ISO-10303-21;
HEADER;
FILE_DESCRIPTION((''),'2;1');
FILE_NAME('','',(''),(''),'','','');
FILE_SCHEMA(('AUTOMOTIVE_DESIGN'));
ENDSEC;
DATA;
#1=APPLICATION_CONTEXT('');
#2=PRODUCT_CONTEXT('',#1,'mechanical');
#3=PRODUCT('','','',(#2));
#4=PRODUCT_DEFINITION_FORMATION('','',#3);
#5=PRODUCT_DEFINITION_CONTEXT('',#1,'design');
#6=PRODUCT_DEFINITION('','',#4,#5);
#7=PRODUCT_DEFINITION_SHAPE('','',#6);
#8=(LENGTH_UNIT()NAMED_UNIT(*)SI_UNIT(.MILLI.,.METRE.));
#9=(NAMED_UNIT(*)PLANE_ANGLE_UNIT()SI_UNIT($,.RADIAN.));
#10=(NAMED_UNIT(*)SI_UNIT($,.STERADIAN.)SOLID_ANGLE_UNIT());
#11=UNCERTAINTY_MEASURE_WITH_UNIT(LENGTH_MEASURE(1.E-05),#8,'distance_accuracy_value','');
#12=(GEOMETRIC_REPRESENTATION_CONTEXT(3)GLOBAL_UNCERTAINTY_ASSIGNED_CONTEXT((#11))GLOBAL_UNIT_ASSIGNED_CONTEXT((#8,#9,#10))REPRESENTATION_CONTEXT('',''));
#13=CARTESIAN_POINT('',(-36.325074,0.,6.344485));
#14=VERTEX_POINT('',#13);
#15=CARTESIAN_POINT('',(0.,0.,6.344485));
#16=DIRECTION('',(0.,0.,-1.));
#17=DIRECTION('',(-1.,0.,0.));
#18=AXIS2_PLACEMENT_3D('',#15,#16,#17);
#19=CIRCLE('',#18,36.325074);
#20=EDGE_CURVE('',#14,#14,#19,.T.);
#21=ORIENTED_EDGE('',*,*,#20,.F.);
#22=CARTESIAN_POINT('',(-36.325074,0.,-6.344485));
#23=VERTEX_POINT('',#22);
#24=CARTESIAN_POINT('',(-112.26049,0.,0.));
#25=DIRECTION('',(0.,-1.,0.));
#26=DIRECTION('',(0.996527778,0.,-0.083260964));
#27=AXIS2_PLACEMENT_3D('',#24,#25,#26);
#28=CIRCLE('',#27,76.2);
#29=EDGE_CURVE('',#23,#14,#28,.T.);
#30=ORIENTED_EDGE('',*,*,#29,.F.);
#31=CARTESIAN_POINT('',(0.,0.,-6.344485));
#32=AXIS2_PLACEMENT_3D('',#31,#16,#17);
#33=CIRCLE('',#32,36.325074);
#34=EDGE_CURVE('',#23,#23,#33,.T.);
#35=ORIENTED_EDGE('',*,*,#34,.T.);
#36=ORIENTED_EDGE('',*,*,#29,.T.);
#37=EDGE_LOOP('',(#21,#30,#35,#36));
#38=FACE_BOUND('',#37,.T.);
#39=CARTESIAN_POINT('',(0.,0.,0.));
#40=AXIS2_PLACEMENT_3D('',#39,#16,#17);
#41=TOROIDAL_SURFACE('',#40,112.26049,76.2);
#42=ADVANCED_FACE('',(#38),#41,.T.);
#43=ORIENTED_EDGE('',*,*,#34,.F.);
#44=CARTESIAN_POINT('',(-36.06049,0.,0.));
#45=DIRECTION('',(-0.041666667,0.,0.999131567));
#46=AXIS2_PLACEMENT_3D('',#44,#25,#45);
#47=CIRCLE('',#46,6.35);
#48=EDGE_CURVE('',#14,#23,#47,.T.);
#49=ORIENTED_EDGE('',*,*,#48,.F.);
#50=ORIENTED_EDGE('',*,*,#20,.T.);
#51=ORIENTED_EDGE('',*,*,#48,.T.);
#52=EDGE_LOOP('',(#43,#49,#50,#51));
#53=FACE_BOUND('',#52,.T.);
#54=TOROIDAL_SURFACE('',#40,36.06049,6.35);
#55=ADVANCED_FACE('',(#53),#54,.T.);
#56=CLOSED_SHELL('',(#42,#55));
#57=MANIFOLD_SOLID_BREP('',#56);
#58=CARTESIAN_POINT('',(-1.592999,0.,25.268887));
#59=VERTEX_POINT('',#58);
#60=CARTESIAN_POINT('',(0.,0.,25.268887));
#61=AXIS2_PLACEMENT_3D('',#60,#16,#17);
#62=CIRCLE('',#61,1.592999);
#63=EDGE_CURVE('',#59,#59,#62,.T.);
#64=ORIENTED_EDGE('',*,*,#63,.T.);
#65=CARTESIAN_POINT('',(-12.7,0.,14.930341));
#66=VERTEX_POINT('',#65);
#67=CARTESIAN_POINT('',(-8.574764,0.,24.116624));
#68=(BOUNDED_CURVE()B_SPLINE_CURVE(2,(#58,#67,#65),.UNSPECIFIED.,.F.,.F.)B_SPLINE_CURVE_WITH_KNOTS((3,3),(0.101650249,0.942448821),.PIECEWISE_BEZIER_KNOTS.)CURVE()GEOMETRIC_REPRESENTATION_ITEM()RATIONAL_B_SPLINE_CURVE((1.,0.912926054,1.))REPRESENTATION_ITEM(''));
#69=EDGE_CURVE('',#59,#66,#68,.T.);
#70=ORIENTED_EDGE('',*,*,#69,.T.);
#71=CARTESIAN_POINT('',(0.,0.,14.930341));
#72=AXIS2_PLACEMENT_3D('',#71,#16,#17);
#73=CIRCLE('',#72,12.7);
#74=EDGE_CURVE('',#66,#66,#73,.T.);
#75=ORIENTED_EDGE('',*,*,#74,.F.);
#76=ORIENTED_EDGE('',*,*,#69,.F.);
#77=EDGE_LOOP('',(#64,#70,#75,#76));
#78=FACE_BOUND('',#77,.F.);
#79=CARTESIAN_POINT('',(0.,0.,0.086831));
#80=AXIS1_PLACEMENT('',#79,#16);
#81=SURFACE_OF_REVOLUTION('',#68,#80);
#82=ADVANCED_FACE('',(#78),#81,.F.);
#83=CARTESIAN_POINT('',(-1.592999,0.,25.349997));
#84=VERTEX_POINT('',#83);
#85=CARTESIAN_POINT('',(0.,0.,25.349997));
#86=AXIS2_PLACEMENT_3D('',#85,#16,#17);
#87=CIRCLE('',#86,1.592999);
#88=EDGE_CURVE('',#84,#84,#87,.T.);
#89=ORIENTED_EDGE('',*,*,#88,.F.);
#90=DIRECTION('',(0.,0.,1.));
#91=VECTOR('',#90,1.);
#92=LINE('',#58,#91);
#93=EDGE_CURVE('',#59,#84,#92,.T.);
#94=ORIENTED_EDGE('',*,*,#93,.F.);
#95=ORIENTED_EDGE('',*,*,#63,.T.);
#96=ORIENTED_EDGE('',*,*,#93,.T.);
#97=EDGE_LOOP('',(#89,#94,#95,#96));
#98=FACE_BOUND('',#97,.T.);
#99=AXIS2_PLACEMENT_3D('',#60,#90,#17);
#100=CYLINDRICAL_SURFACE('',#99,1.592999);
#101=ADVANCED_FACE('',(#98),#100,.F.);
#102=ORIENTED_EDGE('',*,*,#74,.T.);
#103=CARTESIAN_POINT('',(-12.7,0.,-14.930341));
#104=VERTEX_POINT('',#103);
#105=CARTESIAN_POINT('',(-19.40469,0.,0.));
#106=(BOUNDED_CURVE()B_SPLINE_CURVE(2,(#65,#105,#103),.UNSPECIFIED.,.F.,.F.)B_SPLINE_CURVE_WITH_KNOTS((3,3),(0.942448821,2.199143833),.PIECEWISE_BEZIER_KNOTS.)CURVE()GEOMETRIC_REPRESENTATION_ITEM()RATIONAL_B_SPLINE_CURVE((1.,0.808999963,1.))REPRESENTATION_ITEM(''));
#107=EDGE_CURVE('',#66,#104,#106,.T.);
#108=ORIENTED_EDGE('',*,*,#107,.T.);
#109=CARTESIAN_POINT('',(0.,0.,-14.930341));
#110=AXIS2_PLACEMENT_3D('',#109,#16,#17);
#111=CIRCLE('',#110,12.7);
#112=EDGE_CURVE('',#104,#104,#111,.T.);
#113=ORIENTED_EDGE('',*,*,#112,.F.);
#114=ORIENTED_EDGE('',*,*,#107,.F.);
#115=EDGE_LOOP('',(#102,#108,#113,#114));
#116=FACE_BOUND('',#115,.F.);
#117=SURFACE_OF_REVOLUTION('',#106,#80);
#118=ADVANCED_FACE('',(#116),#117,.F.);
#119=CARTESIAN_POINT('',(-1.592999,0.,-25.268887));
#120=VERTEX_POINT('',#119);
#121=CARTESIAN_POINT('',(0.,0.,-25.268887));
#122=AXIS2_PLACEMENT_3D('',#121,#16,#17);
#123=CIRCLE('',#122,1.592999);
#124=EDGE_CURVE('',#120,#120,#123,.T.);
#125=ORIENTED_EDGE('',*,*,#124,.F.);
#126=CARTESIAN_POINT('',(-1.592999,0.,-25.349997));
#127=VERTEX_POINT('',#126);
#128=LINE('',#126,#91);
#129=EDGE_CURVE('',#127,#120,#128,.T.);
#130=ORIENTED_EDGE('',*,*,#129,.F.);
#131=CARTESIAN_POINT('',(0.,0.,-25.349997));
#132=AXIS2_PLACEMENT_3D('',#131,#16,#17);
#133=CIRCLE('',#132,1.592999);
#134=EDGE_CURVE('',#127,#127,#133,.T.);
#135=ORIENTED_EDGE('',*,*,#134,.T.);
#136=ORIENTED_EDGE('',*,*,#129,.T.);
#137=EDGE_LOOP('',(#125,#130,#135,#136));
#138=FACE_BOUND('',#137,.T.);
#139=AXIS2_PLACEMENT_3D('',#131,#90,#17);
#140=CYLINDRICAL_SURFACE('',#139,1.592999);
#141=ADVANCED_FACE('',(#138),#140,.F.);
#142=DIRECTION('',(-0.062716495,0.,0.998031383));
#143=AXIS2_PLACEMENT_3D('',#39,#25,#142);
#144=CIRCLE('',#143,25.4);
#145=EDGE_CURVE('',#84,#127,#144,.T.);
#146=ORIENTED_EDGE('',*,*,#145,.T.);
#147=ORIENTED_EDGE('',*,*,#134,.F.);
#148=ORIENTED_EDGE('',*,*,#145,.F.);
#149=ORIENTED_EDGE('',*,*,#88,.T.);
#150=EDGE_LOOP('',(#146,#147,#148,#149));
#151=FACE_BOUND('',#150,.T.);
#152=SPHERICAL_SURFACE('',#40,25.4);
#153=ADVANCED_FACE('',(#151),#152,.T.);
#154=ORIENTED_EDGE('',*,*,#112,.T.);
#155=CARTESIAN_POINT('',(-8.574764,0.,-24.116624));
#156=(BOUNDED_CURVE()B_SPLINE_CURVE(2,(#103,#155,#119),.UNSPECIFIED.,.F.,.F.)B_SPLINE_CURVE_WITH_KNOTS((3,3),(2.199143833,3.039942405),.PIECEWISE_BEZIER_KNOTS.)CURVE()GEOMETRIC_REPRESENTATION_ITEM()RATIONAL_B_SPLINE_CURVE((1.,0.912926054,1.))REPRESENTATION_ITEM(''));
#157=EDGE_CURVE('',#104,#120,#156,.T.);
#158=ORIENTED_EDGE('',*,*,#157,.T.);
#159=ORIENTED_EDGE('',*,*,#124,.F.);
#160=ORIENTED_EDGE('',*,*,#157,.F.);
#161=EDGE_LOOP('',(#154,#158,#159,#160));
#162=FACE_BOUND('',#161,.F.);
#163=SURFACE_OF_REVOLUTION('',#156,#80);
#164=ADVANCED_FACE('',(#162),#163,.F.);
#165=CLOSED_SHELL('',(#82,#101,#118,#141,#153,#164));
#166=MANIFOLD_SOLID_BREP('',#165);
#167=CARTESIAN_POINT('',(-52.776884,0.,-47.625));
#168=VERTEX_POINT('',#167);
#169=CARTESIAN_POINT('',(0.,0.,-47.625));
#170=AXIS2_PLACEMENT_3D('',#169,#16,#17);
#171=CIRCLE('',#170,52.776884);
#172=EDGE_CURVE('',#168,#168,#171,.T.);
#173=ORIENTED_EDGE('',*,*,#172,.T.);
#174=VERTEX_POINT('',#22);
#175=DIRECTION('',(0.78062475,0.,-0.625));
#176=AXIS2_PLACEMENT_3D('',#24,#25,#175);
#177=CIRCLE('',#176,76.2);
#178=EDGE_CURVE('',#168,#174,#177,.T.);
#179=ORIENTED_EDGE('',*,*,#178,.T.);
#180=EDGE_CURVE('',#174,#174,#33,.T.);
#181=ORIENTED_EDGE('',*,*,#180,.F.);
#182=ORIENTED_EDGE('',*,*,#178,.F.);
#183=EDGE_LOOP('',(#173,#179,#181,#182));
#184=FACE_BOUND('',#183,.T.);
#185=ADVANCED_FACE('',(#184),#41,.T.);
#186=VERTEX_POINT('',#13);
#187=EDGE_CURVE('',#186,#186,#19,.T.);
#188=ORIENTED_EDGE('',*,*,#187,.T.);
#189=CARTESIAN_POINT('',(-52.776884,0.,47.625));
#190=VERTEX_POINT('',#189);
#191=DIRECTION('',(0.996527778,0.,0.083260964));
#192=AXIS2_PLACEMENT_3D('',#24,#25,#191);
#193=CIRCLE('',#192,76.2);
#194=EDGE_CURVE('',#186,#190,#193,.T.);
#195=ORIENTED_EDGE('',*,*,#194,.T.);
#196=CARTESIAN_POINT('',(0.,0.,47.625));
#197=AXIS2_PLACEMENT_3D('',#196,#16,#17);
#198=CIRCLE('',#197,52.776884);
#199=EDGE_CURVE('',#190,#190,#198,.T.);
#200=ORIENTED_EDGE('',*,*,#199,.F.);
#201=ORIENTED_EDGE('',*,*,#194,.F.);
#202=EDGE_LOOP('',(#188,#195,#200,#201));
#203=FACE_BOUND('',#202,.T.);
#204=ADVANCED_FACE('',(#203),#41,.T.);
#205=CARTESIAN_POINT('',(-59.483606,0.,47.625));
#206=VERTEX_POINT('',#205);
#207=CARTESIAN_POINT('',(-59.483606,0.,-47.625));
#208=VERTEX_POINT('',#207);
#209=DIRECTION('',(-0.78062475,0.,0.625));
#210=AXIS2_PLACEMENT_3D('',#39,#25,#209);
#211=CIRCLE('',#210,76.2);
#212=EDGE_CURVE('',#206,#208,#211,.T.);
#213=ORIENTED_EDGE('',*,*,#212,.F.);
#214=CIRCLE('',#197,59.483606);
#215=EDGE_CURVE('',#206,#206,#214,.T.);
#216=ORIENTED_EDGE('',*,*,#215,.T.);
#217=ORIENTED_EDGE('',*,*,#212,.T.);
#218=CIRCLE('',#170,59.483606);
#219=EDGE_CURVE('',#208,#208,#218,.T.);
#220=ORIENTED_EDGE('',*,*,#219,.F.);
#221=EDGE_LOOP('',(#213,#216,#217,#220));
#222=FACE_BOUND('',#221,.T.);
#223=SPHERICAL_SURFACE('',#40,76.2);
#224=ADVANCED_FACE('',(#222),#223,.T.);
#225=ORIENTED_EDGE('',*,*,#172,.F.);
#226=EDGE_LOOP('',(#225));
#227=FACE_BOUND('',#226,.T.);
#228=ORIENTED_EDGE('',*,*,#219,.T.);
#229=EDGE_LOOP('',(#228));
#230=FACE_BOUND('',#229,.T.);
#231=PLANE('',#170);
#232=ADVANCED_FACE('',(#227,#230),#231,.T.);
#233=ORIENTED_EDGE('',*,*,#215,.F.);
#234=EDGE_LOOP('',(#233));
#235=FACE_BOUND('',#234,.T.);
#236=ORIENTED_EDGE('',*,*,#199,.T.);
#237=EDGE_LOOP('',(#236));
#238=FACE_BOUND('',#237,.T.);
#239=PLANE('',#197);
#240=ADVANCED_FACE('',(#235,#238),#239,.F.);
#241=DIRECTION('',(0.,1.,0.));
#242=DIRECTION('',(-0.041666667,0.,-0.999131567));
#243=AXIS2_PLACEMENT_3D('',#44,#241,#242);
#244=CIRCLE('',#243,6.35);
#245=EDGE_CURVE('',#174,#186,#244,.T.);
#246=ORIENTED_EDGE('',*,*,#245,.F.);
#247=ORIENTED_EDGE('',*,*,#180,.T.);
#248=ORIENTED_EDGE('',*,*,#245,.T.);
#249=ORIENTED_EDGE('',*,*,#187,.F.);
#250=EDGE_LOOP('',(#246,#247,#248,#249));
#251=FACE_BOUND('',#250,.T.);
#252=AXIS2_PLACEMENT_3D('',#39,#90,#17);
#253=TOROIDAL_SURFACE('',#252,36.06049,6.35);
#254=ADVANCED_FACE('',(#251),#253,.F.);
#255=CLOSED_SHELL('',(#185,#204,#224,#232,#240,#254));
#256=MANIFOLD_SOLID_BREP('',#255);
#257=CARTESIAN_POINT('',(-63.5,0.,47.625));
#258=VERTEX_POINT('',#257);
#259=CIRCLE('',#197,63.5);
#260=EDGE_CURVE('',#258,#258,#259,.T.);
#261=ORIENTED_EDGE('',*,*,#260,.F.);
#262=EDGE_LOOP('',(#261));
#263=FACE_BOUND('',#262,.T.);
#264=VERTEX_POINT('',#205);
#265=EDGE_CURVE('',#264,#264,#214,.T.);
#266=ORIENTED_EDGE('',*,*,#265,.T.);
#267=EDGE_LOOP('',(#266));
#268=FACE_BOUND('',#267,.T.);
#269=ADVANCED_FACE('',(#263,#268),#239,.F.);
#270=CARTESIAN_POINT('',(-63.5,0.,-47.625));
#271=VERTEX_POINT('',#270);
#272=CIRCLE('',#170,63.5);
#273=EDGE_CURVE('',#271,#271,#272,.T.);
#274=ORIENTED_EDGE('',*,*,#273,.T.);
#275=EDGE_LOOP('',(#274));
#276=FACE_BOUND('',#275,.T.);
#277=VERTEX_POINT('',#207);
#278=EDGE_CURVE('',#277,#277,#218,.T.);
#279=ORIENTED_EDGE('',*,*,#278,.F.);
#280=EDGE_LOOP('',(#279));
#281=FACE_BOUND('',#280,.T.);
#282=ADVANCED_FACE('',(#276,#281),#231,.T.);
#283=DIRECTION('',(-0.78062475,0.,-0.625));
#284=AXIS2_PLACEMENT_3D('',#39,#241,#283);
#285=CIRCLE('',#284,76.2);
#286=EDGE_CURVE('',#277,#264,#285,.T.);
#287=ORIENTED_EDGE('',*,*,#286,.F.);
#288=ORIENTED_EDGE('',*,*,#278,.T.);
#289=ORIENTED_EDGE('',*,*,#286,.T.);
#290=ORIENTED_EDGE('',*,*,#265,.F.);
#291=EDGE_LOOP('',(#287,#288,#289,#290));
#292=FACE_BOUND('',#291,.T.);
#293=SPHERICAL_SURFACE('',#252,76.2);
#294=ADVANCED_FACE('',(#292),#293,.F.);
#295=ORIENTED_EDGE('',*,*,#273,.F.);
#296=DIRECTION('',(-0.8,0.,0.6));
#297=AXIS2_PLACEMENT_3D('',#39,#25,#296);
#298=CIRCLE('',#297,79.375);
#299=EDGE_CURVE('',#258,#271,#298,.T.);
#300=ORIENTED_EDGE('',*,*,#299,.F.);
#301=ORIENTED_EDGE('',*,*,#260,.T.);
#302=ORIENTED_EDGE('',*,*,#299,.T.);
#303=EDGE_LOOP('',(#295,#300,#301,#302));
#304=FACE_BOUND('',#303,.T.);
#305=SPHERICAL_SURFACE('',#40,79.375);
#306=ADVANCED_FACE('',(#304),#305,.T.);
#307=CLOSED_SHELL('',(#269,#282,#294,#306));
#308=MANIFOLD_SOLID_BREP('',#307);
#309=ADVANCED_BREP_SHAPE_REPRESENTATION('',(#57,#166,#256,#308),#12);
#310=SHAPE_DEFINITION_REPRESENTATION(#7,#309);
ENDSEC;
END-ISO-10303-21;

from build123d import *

# Parameters (mm, degrees)
F8_W = 3.3444157124
F8_H = 95.25


with BuildPart() as f2:
    # F0 (on Front) → F2 (revolve)
    with BuildSketch(Plane.XZ):
        with BuildLine():
            Line((-1.592998975, 25.2688867373), (-1.592998975, 25.3499971256))
            ThreePointArc((-1.592998975, 25.3499971256), (-25.4, 0), (-1.592998975, -25.3499971256))
            Line((-1.592998975, -25.3499971256), (-1.592998975, -25.2688867373))
            add(Edge.make_bspline(
                [(-12.7, -14.9303408162), (-8.5747637494, -24.1166237948), (-1.592998975, -25.2688867373)],
                knots=[2.1991438328, 2.1991438328, 2.1991438328, 3.0399424048, 3.0399424048, 3.0399424048], degree=2, weights=[1, 0.9129260545, 1]))
            add(Edge.make_bspline(
                [(-12.7, 14.9303408162), (-19.4046903858, 0), (-12.7, -14.9303408162)],
                knots=[0.9424488208, 0.9424488208, 0.9424488208, 2.1991438328, 2.1991438328, 2.1991438328], degree=2, weights=[1, 0.8089999628, 1]))
            add(Edge.make_bspline(
                [(-1.592998975, 25.2688867373), (-8.5747637494, 24.1166237948), (-12.7, 14.9303408162)],
                knots=[0.1016502488, 0.1016502488, 0.1016502488, 0.9424488208, 0.9424488208, 0.9424488208], degree=2, weights=[1, 0.9129260545, 1]))
        make_face()
    revolve(axis=Axis((0, 0, 0.0868309289), (0, 0, -1)))


with BuildPart() as f9:
    # F8 (on Front) → F9 (revolve)
    with BuildSketch(Plane.XZ):
        with BuildLine():
            ThreePointArc((-59.4836059347, -47.625), (-76.2, 0), (-59.4836059347, 47.625))
            Line((-59.4836059347, 47.625), (-63.5, 47.625))
            ThreePointArc((-63.5, 47.625), (-79.375, 0), (-63.5, -47.625))
            Line((-63.5, -47.625), (-59.4836059347, -47.625))
        make_face()
    revolve(axis=Axis((0, 0, 0.0868309289), (0, 0, -1)))


with BuildPart() as f10:
    # F8 (on Front) → F10 (revolve)
    with BuildSketch(Plane.XZ):
        with BuildLine():
            ThreePointArc((-36.3250735557, 6.3444854527), (-41.4749116, 28.2106692423), (-52.7768842876, 47.625))
            Line((-52.7768842876, 47.625), (-52.7768842876, -47.625))
            ThreePointArc((-52.7768842876, -47.625), (-41.4749116, -28.2106692423), (-36.3250735557, -6.3444854527))
            ThreePointArc((-36.3250735557, -6.3444854527), (-42.4104902223, 0), (-36.3250735557, 6.3444854527))
        make_face()
        with Locations((-54.4490921438, 0)):
            Rectangle(F8_W, F8_H)
        with BuildLine():
            Line((-56.1213, 47.625), (-59.4836059347, 47.625))
            ThreePointArc((-59.4836059347, 47.625), (-76.2, 0), (-59.4836059347, -47.625))
            Line((-59.4836059347, -47.625), (-56.1213, -47.625))
            Line((-56.1213, -47.625), (-56.1213, 47.625))
        make_face()
    revolve(axis=Axis((0, 0, 0.0868309289), (0, 0, -1)))


with BuildPart() as f11:
    # F8 (on Front) → F11 (revolve)
    with BuildSketch(Plane.XZ):
        with BuildLine():
            ThreePointArc((-36.3250735557, -6.3444854527), (-36.0604902223, 0), (-36.3250735557, 6.3444854527))
            ThreePointArc((-36.3250735557, 6.3444854527), (-42.4104902223, 0), (-36.3250735557, -6.3444854527))
        make_face()
    revolve(axis=Axis((0, 0, 0.0868309289), (0, 0, -1)))


solid = Compound([f2.part, f9.part, f10.part, f11.part])
